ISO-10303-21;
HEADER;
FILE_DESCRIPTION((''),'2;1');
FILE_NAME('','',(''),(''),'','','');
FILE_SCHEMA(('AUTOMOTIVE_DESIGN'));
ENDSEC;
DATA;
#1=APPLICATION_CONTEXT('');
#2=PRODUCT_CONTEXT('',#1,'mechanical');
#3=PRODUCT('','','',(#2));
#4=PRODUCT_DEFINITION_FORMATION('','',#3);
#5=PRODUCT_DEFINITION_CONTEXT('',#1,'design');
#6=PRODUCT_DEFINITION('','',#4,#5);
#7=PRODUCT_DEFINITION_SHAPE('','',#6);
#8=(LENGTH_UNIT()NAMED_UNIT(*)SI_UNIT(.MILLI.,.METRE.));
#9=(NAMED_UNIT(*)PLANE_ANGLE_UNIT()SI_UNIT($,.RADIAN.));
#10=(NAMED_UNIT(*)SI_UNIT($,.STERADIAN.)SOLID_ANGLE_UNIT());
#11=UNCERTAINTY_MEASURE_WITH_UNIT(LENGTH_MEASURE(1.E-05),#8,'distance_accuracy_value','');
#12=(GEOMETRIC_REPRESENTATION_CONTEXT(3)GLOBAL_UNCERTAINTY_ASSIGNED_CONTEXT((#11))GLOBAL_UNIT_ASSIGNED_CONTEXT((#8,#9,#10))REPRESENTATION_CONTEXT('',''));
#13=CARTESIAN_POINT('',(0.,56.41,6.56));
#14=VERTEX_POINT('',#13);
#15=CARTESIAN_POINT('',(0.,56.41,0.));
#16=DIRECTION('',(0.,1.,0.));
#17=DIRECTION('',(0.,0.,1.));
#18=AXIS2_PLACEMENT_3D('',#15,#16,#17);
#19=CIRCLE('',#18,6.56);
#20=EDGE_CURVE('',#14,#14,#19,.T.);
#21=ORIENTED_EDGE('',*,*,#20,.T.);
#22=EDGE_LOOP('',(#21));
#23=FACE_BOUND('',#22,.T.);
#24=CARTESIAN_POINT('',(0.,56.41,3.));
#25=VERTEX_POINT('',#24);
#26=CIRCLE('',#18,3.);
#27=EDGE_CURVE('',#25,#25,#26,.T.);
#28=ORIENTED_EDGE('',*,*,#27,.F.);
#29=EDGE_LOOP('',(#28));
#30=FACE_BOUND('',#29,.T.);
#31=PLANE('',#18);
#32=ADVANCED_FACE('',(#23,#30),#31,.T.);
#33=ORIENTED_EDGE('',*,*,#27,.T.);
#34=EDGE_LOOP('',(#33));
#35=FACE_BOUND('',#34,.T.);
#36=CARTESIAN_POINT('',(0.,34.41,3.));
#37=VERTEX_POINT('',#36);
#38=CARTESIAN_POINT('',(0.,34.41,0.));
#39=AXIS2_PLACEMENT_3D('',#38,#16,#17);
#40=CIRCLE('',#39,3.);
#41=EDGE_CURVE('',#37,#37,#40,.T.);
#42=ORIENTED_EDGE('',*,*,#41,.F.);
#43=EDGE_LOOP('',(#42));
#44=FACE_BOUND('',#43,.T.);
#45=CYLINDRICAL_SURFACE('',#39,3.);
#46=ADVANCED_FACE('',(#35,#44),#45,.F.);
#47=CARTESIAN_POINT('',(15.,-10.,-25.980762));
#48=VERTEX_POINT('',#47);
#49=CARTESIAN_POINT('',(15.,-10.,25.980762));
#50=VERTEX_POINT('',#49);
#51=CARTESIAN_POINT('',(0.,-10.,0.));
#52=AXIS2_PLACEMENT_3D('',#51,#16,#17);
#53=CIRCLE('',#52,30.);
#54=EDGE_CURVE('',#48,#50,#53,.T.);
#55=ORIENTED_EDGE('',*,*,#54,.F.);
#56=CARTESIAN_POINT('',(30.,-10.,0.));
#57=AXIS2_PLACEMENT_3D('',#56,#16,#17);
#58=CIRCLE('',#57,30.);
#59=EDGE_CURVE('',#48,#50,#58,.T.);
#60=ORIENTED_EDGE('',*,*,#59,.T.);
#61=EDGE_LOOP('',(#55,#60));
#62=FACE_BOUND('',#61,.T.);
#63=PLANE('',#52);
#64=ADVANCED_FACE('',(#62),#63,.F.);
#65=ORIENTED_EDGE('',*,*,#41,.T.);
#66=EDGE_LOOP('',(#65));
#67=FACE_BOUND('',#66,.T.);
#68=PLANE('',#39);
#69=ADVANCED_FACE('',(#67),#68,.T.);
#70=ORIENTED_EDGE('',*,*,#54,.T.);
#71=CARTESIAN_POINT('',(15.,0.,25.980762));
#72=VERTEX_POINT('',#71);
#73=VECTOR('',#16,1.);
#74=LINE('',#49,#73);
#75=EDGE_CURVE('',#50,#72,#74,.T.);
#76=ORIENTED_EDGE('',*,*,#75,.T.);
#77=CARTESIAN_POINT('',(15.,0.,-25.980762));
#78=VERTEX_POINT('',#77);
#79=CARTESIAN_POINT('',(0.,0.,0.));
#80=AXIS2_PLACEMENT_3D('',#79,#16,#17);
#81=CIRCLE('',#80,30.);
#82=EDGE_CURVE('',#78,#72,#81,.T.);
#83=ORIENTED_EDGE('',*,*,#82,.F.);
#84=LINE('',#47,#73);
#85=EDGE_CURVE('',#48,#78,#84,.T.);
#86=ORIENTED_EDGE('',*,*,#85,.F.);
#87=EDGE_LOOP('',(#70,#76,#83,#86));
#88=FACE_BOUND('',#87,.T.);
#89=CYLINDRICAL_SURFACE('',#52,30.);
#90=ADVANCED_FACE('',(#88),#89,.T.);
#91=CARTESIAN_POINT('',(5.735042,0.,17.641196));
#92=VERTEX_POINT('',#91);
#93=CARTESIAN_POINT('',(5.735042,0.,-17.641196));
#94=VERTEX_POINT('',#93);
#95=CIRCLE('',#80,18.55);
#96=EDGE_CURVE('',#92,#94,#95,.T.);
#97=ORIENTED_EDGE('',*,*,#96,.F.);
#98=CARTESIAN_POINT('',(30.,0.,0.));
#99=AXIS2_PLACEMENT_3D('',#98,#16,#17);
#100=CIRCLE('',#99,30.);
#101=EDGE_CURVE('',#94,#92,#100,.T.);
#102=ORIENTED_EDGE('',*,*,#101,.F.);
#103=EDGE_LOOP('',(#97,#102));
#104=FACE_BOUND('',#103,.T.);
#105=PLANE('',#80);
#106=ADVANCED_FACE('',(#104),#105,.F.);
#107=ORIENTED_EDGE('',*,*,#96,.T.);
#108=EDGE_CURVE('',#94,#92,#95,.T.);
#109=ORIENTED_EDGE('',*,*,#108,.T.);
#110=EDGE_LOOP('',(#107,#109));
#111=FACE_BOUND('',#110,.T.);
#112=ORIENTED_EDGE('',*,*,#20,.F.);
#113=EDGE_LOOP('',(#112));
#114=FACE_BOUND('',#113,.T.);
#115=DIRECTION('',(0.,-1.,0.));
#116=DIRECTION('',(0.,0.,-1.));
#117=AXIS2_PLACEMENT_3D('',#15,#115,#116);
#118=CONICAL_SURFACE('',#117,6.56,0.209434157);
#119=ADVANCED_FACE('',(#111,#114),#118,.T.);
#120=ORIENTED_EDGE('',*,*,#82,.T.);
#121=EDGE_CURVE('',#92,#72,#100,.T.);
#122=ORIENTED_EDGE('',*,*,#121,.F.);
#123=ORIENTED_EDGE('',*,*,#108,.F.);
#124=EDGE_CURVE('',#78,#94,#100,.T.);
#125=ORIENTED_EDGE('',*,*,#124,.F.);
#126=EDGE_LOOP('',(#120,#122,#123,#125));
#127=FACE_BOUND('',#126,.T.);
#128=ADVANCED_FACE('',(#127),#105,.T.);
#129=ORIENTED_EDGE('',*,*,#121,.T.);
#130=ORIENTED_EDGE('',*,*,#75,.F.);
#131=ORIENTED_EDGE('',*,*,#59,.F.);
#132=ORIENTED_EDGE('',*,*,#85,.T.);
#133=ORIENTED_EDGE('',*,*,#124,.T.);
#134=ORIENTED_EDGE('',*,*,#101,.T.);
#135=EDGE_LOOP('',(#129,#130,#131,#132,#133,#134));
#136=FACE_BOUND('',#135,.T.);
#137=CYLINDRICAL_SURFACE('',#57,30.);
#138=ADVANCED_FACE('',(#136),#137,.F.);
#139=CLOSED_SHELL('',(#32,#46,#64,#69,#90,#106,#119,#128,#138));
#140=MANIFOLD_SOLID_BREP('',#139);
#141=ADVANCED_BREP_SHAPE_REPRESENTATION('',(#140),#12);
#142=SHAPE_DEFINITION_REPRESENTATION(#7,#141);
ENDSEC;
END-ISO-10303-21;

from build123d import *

# Parameters (mm, degrees)
SKETCH_2_R          = 6.56
SKETCH_1_R          = 18.55
SKETCH_3_R          = 30
EXTRUDE_2_DEPTH     = 10
SKETCH_3_5_R        = 30
CUT_EXTRUDE_2_DEPTH = 10
SKETCH_4_R          = 3
CUT_EXTRUDE_3_DEPTH = 22


with BuildPart() as part:
    # 스케치2 → 로프트1 section 0
    with BuildSketch(Plane(origin=(0, 56.41, 0), x_dir=(1, 0, 0), z_dir=(0, 1, 0))):
        Circle(SKETCH_2_R)
    # 스케치1 → 로프트1 section 1
    with BuildSketch(Plane(origin=(0, 0, 0), x_dir=(1, 0, 0), z_dir=(0, 1, 0))):
        Circle(SKETCH_1_R)
    loft()

    # 스케치3 → 보스-돌출2 (add)
    with BuildSketch(Plane(origin=(0, 0, 0), x_dir=(1, 0, 0), z_dir=(0, 1, 0))):
        with Locations(Location((0, 0, 0), (0, 0, 270))):
            Circle(SKETCH_3_R)
    extrude(amount=-EXTRUDE_2_DEPTH)

    # 스케치3<5> → 컷-돌출2 (cut)
    with BuildSketch(Plane(origin=(0, 0, 0), x_dir=(1, 0, 0), z_dir=(0, 1, 0))):
        with Locations((30, 0)):
            Circle(SKETCH_3_5_R)
    extrude(amount=-CUT_EXTRUDE_2_DEPTH, mode=Mode.SUBTRACT)

    # 스케치4 → 컷-돌출3 (cut)
    with BuildSketch(Plane(origin=(0, 56.41, 0), x_dir=(1, 0, 0), z_dir=(0, 1, 0))):
        with Locations(Location((0, 0, 0), (0, 0, 270))):
            Circle(SKETCH_4_R)
    extrude(amount=-CUT_EXTRUDE_3_DEPTH, mode=Mode.SUBTRACT)


solid = part.part
